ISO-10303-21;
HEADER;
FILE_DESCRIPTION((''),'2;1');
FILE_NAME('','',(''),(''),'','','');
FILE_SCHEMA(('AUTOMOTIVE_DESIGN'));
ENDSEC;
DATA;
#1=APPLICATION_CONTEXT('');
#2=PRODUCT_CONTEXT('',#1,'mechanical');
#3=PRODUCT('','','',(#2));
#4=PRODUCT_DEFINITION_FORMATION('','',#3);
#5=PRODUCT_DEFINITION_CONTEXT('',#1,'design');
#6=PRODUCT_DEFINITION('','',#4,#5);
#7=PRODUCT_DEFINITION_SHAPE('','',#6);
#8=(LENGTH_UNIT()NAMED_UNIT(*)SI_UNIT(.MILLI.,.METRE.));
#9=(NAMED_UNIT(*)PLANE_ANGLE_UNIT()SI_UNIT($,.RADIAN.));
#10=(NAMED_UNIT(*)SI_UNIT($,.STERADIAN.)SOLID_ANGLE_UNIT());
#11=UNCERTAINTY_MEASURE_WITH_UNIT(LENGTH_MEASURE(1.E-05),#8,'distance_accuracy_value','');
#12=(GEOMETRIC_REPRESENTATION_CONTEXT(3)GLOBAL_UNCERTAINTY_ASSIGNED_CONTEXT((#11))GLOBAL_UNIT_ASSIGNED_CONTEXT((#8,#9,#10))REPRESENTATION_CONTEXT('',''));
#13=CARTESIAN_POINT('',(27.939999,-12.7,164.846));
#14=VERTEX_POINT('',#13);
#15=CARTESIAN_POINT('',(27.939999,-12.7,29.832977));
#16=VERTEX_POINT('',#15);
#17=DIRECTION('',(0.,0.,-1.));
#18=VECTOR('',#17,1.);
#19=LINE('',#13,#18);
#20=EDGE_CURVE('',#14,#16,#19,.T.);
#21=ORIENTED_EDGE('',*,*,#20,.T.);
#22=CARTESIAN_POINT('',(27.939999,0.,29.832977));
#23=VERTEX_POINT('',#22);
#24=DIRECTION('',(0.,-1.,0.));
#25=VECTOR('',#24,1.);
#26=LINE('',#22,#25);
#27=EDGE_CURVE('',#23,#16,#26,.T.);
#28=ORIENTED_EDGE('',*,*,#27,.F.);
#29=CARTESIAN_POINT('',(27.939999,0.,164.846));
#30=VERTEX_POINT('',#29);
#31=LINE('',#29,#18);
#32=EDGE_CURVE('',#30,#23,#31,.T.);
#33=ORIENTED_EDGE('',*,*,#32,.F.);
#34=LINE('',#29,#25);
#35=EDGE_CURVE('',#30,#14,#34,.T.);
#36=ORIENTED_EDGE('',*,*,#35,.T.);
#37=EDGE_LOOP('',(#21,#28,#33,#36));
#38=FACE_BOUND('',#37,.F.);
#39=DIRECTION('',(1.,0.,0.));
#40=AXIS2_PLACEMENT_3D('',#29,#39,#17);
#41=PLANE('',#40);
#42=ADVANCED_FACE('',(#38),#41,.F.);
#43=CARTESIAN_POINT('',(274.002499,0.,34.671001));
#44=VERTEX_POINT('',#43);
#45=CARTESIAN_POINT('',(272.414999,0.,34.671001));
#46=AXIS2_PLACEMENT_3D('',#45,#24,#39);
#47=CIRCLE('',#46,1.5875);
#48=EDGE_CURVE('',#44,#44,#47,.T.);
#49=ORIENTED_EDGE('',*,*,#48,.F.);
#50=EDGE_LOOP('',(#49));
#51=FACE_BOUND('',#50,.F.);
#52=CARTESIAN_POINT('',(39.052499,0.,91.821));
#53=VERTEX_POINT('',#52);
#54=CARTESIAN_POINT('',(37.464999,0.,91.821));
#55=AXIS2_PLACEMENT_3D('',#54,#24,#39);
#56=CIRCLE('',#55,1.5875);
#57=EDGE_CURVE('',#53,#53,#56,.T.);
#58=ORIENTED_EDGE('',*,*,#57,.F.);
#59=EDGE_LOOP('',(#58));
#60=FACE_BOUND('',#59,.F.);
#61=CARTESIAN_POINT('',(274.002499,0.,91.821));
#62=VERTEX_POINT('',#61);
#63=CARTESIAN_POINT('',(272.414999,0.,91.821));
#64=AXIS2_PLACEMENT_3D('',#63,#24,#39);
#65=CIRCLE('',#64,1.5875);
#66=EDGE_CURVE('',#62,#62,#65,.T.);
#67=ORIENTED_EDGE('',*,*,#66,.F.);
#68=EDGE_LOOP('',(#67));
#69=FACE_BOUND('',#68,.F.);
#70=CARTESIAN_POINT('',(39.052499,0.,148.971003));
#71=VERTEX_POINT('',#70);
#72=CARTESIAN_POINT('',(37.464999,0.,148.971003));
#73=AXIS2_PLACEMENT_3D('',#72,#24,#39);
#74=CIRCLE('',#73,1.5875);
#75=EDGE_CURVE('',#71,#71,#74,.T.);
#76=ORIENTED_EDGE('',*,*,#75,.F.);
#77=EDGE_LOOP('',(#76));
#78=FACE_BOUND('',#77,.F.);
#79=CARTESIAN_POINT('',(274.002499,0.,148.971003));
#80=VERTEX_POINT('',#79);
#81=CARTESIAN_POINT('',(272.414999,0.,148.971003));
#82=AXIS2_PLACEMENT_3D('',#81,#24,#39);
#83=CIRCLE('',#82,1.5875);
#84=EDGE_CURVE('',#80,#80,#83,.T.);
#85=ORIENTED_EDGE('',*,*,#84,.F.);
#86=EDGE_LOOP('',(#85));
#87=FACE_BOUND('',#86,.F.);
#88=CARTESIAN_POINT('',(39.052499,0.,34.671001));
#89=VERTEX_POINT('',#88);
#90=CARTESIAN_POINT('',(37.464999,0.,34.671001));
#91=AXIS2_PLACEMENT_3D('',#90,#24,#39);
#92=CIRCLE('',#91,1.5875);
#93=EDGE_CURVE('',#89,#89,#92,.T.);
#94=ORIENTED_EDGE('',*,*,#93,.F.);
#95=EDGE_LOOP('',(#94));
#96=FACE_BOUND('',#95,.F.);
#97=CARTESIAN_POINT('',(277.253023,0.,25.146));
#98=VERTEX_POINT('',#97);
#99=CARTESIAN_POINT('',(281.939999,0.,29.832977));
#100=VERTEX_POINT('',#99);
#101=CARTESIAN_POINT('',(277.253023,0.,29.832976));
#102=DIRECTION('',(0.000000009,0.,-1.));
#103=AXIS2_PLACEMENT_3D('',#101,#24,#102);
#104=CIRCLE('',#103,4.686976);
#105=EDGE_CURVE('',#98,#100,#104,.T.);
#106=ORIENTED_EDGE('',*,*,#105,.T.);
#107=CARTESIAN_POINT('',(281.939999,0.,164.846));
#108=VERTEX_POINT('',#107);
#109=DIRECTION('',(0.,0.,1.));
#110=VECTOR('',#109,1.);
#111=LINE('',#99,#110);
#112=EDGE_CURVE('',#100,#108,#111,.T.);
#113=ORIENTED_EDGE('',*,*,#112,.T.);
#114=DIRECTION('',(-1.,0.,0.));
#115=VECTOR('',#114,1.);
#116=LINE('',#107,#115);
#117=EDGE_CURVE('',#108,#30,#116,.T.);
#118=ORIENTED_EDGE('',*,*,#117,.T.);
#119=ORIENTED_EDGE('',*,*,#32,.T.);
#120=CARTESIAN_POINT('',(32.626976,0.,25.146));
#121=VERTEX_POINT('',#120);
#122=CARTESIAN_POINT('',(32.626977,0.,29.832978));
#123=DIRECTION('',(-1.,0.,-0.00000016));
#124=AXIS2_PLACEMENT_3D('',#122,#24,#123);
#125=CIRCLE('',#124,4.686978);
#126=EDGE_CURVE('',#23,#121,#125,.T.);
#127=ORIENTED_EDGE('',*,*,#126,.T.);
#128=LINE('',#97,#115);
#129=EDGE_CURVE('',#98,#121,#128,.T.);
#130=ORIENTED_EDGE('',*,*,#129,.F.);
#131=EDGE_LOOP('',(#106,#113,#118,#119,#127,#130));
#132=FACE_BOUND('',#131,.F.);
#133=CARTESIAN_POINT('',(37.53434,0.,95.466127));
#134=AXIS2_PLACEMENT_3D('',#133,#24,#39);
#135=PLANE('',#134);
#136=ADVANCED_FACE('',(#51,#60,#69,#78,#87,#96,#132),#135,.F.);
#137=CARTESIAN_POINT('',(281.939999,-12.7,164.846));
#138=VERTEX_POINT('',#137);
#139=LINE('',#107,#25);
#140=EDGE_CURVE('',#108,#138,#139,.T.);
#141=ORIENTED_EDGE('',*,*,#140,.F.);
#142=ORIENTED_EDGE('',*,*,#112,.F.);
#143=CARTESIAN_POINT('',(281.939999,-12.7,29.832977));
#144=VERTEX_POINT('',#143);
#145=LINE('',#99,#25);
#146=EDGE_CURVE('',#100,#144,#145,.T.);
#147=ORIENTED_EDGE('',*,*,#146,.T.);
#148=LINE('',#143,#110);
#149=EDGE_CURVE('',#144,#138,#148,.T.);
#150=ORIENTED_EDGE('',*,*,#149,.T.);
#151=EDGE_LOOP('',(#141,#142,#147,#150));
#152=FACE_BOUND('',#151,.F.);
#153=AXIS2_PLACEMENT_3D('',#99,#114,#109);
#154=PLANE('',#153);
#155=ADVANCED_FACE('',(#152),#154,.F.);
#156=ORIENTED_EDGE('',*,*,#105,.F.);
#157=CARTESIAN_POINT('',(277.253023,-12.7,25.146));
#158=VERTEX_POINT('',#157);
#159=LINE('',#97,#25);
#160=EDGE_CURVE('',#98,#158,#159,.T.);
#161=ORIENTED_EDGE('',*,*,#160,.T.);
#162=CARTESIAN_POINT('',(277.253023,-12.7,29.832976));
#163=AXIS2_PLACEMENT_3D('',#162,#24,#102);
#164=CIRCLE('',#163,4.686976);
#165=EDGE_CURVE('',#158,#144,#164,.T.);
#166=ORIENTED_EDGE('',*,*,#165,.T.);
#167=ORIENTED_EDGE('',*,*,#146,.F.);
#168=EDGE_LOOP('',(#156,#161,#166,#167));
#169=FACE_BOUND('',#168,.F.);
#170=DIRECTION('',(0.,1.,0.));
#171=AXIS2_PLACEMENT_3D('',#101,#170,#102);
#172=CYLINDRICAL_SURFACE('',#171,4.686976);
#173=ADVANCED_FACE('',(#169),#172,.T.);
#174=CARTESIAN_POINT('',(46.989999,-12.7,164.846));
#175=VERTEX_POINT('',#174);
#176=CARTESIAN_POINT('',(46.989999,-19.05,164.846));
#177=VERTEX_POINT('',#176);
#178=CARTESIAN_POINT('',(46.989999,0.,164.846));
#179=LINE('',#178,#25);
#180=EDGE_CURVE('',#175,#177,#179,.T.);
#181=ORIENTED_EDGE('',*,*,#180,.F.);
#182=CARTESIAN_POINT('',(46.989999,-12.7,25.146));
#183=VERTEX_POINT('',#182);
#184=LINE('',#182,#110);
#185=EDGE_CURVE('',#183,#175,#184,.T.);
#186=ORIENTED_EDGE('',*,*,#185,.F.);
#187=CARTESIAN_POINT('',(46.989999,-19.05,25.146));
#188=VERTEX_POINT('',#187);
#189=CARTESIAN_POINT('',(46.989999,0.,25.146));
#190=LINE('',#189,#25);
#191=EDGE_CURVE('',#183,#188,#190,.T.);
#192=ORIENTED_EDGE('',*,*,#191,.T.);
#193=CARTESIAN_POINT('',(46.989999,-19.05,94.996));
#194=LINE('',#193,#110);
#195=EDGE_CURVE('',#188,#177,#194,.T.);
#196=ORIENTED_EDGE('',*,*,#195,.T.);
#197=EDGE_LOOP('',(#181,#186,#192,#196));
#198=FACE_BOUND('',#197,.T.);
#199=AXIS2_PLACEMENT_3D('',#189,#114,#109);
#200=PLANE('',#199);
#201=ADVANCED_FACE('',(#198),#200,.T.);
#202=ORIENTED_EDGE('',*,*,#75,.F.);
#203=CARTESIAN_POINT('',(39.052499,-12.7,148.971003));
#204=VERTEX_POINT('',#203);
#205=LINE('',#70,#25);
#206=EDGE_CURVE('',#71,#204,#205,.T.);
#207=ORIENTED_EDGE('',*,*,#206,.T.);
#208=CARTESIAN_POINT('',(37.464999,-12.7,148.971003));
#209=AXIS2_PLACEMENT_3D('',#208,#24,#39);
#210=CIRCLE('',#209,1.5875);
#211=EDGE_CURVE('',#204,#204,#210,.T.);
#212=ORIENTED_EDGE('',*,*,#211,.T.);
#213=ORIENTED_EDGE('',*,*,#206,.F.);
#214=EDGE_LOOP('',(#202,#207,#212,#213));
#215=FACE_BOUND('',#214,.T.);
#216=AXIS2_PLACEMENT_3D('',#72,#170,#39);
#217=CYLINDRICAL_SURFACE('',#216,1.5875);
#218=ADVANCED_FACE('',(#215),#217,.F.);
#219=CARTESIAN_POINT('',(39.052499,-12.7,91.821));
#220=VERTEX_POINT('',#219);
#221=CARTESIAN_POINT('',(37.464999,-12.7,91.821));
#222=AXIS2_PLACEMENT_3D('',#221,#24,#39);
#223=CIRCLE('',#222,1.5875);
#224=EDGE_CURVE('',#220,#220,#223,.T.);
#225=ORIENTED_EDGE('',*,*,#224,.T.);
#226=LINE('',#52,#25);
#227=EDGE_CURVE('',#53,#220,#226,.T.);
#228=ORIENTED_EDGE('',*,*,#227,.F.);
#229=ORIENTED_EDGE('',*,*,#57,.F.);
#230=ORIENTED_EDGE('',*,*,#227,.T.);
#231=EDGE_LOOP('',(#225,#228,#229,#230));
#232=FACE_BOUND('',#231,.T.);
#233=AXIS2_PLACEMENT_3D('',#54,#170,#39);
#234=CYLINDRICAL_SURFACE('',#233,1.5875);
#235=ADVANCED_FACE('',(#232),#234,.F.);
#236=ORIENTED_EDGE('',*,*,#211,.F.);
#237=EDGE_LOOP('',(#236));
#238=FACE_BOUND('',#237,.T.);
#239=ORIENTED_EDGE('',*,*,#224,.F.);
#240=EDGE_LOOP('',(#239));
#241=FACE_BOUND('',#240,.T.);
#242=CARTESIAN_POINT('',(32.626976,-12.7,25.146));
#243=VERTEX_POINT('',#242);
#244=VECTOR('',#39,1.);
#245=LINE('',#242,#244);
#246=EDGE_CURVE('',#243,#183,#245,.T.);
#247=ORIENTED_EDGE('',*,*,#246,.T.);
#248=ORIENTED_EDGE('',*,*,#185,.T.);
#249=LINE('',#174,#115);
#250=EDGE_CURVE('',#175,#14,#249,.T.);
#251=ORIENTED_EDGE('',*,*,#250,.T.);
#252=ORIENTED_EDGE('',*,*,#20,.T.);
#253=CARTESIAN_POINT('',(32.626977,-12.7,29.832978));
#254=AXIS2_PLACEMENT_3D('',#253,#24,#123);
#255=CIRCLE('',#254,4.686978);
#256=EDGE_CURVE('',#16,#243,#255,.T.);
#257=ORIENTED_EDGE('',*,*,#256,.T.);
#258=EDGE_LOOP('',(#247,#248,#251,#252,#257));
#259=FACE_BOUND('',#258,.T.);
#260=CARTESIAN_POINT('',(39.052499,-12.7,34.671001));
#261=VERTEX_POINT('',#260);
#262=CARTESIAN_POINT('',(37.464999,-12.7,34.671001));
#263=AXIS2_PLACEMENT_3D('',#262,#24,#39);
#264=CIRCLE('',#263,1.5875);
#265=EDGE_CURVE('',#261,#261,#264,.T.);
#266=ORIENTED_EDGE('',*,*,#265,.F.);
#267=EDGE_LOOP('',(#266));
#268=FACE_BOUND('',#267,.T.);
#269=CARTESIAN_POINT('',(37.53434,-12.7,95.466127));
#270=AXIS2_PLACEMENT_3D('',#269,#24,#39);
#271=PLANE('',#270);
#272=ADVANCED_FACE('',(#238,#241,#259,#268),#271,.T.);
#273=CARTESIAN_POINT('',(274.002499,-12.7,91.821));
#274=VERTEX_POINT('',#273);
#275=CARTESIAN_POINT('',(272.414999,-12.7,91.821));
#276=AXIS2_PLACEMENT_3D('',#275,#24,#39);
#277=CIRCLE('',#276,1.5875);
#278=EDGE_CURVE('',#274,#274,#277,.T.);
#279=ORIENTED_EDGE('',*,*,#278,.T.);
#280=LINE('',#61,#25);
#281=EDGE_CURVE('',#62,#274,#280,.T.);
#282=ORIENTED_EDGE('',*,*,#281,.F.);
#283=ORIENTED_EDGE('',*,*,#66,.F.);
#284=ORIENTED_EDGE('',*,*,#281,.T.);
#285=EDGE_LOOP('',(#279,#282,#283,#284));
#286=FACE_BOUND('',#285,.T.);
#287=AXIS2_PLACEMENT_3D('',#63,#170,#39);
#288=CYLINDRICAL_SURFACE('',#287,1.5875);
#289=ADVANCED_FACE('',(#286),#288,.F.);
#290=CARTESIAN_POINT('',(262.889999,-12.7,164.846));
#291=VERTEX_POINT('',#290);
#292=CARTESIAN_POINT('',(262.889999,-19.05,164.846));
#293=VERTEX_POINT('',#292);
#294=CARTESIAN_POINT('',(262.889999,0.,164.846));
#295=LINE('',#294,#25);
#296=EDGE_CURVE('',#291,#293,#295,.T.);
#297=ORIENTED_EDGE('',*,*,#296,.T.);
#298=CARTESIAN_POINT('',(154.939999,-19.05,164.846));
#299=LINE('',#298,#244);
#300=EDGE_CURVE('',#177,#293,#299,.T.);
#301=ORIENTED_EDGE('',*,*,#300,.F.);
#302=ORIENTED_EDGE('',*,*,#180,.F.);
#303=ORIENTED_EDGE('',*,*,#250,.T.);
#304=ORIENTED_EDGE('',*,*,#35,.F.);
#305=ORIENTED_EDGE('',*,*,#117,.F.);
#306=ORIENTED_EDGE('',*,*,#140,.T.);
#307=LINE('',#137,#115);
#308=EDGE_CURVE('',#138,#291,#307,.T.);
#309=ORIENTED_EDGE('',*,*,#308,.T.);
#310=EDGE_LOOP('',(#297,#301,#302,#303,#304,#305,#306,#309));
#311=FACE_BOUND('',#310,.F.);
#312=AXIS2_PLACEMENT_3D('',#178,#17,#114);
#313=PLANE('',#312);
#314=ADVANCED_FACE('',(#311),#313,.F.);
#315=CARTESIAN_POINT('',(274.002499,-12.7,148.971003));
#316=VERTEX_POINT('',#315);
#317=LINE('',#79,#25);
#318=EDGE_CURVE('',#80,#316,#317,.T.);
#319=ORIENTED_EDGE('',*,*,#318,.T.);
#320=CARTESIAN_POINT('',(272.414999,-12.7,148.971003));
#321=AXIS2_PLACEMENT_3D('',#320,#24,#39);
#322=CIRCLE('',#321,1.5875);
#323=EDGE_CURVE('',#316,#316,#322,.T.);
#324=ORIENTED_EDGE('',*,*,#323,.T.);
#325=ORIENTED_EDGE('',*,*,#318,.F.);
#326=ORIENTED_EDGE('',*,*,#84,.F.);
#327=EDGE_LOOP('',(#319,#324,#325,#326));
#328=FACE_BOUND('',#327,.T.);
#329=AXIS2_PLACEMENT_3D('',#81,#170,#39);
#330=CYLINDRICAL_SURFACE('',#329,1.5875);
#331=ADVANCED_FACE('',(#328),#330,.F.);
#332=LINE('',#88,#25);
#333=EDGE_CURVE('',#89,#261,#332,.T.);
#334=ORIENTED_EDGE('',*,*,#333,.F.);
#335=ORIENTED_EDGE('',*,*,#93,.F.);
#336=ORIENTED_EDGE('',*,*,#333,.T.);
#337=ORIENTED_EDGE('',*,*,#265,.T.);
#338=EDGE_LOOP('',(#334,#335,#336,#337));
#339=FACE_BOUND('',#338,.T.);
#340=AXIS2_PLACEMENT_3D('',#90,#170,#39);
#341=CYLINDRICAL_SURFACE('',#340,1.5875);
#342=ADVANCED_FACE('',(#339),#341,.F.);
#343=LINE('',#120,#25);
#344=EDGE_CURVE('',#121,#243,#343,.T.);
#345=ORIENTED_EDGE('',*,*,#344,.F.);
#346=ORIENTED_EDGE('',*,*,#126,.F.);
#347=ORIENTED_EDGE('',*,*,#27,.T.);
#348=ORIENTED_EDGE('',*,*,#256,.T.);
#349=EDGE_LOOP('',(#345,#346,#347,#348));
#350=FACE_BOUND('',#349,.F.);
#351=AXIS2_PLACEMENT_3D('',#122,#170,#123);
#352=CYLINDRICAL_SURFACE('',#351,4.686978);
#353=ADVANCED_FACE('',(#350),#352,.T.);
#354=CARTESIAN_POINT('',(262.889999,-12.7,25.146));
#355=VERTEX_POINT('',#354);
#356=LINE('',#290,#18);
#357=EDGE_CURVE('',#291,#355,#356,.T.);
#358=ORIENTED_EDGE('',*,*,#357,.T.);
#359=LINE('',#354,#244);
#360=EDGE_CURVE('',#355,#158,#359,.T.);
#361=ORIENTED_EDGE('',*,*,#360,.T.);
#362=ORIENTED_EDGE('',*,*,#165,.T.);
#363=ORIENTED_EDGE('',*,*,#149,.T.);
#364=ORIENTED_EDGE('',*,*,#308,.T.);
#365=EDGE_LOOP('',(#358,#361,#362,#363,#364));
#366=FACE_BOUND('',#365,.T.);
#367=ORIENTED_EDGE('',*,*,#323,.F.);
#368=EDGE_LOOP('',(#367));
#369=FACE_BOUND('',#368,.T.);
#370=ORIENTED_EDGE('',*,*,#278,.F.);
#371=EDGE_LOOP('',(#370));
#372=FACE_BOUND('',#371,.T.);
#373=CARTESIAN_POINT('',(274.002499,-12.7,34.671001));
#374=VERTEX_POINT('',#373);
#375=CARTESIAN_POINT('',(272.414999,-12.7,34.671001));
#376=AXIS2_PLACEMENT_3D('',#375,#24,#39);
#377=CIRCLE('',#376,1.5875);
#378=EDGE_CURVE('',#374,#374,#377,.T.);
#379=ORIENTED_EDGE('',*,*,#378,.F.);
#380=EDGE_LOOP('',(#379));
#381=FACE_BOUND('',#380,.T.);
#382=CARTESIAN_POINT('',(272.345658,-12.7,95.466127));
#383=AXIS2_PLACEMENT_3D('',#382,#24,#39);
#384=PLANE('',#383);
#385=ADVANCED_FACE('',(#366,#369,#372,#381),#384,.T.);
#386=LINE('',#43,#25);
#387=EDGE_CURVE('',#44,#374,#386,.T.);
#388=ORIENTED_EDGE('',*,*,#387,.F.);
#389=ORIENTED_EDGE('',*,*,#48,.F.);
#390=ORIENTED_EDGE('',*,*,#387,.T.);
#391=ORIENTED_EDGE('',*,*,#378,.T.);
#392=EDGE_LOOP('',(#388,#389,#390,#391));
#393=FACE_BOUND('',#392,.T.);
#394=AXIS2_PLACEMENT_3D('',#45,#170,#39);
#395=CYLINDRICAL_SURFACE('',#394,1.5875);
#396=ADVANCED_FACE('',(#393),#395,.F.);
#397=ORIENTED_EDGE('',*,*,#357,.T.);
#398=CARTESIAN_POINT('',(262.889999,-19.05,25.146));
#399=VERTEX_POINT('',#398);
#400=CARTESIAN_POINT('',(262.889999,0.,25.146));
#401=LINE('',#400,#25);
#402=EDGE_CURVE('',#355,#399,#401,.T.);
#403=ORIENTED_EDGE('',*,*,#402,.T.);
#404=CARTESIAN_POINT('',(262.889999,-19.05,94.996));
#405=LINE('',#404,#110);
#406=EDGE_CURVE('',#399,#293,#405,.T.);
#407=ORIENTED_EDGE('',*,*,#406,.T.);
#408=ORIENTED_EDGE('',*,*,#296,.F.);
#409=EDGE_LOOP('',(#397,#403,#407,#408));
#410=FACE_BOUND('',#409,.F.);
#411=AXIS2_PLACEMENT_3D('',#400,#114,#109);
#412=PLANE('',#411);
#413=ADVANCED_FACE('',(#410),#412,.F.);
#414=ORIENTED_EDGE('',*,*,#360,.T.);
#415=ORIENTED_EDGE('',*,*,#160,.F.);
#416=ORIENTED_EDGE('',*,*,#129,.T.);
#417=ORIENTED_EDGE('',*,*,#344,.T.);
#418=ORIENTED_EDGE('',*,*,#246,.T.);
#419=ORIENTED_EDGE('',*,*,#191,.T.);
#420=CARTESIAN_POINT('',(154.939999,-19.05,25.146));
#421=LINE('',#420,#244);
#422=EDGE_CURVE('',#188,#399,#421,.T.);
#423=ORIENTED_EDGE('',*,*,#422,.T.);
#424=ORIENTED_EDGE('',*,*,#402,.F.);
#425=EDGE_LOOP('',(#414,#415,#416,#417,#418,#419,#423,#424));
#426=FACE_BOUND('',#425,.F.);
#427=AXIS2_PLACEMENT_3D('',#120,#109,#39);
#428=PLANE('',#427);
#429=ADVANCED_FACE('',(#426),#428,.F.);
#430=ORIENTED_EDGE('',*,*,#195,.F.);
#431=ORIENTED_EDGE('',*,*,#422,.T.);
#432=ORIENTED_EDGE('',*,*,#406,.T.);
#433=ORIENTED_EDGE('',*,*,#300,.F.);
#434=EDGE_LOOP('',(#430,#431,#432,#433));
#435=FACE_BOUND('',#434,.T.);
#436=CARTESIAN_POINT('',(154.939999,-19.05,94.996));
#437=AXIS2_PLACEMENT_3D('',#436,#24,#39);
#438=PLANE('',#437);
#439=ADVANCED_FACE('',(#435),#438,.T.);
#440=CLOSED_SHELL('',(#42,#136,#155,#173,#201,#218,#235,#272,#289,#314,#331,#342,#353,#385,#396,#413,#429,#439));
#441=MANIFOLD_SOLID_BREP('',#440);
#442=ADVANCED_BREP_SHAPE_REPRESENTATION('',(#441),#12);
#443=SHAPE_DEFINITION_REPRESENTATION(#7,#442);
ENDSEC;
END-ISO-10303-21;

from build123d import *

# Parameters (mm, degrees)
F0_W     = 215.9
F0_H     = 139.7
F1_DEPTH = 19.05
F0_R     = 1.5875
F2_DEPTH = 12.7


with BuildPart() as f1:
    # F0 (on Front) → F1 (new body)
    with BuildSketch(Plane.XZ):
        with Locations((154.939999, 94.996)):
            Rectangle(F0_W, F0_H)
    extrude(amount=F1_DEPTH)

    # F0 (on Front) → F2 (join)
    with BuildSketch(Plane.XZ):
        with BuildLine():
            Line((46.989999, 164.846), (27.939999, 164.846))
            Line((27.939999, 164.846), (27.939999, 29.832977))
            ThreePointArc((27.939999, 29.832977), (29.312783, 26.518784), (32.626976, 25.146))
            Line((32.626976, 25.146), (46.989999, 25.146))
            Line((46.989999, 25.146), (46.989999, 164.846))
        make_face()
        with Locations((37.464999, 34.671001)):
            Circle(F0_R, mode=Mode.SUBTRACT)
        with Locations((37.464999, 91.821)):
            Circle(F0_R, mode=Mode.SUBTRACT)
        with Locations((37.464999, 148.971003)):
            Circle(F0_R, mode=Mode.SUBTRACT)
        with BuildLine():
            Line((281.939999, 164.846), (262.889999, 164.846))
            Line((262.889999, 164.846), (262.889999, 25.146))
            Line((262.889999, 25.146), (277.253023, 25.146))
            ThreePointArc((277.253023, 25.146), (280.567216, 26.518784), (281.939999, 29.832977))
            Line((281.939999, 29.832977), (281.939999, 164.846))
        make_face()
        with Locations((272.414999, 34.671001)):
            Circle(F0_R, mode=Mode.SUBTRACT)
        with Locations((272.414999, 91.821)):
            Circle(F0_R, mode=Mode.SUBTRACT)
        with Locations((272.414999, 148.971003)):
            Circle(F0_R, mode=Mode.SUBTRACT)
    extrude(amount=F2_DEPTH)


solid = f1.part
